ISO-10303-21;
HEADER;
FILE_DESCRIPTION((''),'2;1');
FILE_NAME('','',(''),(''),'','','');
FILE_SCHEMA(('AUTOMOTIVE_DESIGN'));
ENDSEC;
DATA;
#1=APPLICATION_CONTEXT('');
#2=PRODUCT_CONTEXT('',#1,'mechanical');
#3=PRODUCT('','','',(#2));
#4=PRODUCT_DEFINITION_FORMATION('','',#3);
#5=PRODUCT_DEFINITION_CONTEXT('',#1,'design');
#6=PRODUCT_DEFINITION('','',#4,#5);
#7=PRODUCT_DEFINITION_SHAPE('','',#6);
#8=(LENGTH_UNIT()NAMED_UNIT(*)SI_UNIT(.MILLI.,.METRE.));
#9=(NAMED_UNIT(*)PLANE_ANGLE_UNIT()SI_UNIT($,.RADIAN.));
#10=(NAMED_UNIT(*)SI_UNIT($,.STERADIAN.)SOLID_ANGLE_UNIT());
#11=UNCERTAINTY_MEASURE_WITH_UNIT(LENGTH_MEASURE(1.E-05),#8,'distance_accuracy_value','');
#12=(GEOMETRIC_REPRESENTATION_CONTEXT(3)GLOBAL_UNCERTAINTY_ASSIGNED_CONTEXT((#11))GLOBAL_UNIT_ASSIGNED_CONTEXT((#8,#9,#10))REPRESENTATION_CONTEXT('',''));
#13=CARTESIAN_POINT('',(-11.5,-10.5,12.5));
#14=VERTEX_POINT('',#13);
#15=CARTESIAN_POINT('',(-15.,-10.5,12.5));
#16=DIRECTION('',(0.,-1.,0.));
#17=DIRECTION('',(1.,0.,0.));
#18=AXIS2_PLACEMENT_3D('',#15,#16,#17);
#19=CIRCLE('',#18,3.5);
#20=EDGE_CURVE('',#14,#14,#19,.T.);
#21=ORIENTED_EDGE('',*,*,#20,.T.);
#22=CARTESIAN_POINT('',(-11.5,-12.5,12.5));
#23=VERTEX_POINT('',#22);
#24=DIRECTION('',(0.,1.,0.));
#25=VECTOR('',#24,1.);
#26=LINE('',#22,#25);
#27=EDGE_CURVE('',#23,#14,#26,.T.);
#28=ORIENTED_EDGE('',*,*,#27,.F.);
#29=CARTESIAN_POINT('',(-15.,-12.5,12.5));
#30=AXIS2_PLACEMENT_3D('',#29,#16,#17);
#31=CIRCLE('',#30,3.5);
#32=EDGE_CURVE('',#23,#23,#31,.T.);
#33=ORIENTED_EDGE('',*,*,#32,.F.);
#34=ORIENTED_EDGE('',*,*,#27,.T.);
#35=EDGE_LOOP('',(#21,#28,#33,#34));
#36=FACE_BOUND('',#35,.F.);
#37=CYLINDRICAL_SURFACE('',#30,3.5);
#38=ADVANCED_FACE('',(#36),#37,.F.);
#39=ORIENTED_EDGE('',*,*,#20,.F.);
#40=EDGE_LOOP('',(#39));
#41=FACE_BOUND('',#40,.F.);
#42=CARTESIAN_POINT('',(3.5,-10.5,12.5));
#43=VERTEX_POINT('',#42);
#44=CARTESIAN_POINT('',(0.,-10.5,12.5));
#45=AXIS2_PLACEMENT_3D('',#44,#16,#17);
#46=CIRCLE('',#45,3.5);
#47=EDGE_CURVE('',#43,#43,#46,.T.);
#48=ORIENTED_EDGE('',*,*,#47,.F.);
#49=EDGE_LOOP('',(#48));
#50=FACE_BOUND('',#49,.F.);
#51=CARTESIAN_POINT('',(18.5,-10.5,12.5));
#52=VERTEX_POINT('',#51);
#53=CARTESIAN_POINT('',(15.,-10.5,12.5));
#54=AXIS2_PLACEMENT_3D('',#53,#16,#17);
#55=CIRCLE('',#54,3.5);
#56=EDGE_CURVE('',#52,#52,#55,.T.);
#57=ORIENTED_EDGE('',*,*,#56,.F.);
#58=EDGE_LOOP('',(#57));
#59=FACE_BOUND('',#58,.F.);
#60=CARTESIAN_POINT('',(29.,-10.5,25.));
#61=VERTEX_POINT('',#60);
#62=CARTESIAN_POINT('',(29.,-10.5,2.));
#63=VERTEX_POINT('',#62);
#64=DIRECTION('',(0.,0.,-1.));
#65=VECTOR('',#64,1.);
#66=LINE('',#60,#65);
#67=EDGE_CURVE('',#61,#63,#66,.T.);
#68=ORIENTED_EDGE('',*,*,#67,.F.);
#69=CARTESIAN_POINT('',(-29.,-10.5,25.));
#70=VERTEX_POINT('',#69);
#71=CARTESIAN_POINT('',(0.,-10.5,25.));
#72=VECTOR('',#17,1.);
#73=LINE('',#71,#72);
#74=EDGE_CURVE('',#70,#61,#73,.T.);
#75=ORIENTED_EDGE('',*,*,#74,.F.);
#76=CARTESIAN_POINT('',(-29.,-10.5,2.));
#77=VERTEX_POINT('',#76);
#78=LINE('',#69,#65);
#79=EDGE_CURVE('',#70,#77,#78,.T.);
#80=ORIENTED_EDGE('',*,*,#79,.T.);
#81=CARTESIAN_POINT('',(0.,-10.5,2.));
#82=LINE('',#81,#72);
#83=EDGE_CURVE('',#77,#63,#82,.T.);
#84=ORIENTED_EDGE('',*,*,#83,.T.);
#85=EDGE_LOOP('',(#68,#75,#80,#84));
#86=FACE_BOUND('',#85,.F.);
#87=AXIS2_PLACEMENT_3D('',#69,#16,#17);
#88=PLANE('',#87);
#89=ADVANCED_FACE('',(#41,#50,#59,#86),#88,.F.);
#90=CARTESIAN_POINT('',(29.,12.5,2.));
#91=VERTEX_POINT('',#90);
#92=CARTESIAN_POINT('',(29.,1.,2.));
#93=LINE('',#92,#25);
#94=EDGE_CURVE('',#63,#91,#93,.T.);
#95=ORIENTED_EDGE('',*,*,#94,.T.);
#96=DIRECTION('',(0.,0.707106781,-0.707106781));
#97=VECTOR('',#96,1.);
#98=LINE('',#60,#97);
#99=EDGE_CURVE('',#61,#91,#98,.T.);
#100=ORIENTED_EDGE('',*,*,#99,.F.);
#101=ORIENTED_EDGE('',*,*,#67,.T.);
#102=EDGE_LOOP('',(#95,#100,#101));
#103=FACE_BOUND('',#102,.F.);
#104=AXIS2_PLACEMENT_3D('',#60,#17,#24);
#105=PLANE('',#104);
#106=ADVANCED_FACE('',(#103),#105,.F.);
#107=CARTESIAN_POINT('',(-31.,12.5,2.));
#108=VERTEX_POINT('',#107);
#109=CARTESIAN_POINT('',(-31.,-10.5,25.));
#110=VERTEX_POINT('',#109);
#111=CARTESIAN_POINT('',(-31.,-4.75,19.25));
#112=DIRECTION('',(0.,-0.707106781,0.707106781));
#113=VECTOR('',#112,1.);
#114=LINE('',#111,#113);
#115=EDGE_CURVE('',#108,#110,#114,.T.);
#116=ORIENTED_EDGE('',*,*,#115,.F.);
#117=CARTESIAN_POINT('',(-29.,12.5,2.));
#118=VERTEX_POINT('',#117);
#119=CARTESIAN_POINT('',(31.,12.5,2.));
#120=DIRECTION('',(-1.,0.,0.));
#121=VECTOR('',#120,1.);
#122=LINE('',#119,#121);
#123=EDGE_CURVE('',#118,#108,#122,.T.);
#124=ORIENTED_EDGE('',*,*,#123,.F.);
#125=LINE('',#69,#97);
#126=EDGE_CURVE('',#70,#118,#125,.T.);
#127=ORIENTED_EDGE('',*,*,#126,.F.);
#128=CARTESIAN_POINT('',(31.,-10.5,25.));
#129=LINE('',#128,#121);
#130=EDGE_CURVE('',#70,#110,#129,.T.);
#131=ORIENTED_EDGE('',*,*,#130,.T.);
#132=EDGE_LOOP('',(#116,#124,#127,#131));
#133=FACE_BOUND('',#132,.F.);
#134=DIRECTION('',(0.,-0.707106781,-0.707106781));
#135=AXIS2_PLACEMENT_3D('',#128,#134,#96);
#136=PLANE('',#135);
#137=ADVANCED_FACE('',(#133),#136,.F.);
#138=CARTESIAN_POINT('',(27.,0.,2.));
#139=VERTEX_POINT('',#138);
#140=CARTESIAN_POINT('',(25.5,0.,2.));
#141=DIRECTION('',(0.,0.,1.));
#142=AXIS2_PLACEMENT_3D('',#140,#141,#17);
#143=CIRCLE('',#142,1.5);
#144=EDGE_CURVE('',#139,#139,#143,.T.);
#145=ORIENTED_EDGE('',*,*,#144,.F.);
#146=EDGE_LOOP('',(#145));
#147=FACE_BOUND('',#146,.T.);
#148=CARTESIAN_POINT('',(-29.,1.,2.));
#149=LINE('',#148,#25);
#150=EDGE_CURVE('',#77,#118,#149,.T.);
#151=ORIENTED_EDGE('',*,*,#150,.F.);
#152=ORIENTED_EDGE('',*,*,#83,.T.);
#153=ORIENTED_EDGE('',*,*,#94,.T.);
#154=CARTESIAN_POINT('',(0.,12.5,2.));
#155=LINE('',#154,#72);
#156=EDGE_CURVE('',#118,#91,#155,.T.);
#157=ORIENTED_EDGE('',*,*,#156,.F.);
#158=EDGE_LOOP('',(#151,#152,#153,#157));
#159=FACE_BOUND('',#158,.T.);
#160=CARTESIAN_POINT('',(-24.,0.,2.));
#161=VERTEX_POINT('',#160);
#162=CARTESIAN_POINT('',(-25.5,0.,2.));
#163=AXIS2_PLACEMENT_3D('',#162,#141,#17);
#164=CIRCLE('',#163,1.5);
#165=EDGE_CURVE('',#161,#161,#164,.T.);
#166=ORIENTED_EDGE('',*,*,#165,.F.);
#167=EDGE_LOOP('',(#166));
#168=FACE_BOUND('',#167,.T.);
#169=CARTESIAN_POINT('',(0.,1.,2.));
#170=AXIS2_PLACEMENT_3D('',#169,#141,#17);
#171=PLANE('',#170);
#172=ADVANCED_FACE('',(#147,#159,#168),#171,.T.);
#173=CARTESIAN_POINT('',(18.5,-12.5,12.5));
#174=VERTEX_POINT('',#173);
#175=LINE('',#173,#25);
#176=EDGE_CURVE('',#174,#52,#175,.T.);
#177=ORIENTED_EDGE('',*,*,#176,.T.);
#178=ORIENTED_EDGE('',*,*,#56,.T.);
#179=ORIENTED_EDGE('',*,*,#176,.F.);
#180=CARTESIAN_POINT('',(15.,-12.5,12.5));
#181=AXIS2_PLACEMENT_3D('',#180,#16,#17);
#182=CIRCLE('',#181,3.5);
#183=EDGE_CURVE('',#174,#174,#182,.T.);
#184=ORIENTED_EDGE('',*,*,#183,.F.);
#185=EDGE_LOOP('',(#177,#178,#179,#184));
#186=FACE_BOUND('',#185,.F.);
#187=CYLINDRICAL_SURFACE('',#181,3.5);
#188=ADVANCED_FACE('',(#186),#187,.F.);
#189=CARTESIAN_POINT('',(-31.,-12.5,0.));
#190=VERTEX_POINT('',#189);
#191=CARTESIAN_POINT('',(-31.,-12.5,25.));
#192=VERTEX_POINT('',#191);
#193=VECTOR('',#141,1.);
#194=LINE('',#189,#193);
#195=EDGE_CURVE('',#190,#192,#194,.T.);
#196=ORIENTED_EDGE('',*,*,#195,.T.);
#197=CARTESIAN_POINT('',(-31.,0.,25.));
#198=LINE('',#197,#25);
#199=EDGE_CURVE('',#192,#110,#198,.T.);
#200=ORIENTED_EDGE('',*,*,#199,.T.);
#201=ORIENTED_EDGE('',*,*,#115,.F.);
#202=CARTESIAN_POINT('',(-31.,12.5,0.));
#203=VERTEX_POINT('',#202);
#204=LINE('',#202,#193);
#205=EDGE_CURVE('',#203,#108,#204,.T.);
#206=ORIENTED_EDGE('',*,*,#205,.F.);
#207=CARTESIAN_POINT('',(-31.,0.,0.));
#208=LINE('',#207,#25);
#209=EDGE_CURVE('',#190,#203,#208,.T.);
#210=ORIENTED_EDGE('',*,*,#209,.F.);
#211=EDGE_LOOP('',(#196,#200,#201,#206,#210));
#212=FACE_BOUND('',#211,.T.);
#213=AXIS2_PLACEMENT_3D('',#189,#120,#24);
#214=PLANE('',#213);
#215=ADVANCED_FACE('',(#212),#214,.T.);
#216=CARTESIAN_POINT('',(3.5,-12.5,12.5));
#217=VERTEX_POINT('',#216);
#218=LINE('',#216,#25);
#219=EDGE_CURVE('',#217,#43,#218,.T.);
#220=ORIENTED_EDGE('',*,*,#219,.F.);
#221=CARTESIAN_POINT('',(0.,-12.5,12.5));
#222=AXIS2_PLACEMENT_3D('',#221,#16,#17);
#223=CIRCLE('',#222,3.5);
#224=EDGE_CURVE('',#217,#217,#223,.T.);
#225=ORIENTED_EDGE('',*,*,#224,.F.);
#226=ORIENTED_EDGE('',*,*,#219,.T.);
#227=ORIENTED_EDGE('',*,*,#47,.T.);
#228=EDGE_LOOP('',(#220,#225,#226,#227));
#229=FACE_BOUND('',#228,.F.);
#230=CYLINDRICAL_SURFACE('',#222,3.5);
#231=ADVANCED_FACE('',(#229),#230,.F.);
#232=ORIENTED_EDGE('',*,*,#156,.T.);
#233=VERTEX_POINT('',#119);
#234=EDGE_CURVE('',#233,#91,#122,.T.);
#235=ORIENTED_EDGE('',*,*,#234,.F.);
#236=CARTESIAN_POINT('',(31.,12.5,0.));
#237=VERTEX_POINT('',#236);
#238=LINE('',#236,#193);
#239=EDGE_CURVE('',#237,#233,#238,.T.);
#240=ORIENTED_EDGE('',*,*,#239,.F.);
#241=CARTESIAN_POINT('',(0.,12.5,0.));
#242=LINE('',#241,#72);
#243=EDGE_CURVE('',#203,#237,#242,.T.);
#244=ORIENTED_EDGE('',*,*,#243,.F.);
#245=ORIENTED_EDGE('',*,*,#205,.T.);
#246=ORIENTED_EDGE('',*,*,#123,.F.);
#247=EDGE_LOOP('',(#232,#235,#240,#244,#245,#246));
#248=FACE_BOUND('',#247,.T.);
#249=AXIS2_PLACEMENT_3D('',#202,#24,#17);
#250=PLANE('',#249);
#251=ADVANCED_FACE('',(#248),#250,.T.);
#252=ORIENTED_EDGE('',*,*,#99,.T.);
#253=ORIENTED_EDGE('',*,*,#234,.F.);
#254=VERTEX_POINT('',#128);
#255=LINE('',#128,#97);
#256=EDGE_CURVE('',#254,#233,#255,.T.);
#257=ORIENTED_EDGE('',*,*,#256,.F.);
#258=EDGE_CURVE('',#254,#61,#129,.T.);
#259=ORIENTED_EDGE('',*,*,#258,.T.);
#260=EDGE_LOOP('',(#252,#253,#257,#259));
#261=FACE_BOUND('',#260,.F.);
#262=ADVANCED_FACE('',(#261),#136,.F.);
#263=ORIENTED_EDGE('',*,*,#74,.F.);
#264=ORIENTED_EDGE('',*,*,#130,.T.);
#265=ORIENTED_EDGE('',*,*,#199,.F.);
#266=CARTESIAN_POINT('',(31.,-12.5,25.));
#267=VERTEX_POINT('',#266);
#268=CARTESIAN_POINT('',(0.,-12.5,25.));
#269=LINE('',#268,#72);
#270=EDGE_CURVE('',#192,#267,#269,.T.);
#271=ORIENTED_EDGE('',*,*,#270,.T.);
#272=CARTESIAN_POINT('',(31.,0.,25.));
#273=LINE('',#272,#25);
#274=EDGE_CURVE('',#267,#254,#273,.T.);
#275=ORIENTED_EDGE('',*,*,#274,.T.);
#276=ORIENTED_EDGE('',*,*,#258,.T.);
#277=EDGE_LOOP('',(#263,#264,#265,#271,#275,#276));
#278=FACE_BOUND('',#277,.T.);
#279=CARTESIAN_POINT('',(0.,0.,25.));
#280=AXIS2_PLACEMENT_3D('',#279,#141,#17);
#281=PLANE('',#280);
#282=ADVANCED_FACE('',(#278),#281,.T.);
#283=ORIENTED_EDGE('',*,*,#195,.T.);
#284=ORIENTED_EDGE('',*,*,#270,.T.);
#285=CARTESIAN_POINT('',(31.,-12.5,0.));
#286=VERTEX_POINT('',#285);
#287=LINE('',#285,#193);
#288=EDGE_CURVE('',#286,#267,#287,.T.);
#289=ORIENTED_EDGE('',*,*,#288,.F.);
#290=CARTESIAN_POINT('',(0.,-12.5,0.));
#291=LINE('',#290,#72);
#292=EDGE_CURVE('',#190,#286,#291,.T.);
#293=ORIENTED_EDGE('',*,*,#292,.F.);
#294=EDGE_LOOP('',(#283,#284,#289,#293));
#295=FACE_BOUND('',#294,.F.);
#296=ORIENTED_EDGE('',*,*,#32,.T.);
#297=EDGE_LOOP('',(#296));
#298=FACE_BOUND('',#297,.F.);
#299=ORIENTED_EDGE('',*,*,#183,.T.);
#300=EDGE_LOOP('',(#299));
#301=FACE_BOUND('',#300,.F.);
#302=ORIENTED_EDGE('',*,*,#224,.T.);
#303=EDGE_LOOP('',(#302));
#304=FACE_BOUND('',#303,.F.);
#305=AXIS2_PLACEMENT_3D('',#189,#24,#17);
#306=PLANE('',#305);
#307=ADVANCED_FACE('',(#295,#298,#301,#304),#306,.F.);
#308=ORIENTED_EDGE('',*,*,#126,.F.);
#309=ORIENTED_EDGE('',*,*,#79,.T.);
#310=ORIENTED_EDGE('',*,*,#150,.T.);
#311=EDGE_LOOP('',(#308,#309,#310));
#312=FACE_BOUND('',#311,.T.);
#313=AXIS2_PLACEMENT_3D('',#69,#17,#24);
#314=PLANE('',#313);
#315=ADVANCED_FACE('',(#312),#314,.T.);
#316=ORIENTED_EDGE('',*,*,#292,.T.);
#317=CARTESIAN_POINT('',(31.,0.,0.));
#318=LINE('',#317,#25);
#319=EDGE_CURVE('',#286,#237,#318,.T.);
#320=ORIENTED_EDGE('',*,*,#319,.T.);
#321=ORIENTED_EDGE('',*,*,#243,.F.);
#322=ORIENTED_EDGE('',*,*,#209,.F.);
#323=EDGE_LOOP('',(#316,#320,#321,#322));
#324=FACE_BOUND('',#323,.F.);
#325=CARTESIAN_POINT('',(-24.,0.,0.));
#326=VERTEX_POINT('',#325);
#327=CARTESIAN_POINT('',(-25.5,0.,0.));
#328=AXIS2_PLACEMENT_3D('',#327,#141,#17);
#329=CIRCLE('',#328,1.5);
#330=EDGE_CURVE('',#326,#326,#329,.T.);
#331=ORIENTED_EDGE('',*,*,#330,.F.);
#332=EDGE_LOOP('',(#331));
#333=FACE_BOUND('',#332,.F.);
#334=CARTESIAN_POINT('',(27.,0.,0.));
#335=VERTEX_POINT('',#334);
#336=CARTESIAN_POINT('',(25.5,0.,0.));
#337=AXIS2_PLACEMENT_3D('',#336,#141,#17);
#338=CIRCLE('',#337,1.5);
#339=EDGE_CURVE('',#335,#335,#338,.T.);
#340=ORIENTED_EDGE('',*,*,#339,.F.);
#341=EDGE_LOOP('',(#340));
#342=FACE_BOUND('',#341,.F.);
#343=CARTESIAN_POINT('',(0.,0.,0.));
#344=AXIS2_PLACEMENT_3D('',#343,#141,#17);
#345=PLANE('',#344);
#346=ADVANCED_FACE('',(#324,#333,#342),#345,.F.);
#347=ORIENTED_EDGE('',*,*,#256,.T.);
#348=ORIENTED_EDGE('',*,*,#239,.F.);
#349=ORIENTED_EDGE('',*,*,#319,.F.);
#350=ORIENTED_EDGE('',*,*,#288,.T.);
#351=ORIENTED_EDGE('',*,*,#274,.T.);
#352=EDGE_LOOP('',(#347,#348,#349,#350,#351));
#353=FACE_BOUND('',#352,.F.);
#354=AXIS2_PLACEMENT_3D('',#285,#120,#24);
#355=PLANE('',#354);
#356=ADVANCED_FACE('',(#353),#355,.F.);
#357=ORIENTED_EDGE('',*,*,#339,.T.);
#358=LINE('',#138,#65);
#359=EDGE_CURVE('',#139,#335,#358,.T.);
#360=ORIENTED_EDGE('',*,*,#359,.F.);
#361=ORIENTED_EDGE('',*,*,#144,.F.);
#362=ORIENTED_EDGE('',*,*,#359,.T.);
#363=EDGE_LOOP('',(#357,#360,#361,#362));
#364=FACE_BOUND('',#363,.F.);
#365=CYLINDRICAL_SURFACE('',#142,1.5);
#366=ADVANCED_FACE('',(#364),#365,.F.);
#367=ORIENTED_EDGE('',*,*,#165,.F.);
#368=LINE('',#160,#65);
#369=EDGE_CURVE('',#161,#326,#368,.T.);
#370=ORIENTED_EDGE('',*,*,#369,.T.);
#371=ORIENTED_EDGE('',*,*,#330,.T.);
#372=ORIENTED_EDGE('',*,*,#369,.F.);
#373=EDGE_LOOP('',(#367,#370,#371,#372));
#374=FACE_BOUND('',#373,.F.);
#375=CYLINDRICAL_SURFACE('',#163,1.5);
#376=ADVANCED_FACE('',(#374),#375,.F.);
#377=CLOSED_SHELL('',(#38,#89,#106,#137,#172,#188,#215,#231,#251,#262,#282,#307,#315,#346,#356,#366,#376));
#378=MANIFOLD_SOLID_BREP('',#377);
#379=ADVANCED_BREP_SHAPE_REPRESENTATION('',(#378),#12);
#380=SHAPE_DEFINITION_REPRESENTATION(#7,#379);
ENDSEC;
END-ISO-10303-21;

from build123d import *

# Parameters (mm, degrees)
F0_W     = 62
F0_H     = 25
F1_DEPTH = 25
F2_R     = 3.5
F3_DEPTH = 25
F4_W     = 58
F4_H     = 23
F5_DEPTH = 23
F7_DEPTH = 62.001
F8_R     = 1.5
F9_DEPTH = 2.001


with BuildPart() as f1:
    # F0 (on Top) → F1 (new body)
    with BuildSketch(Plane.XY):
        Rectangle(F0_W, F0_H)
    extrude(amount=F1_DEPTH)

    # F2 (on face) → F3 (cut)
    with BuildSketch(Plane.XZ.offset(12.5)):
        with Locations((0, 12.5)):
            Circle(F2_R)
        with Locations((-15, 12.5)):
            Circle(F2_R)
        with Locations((15, 12.5)):
            Circle(F2_R)
    extrude(amount=-F3_DEPTH, mode=Mode.SUBTRACT)

    # F4 (on face) → F5 (cut)
    with BuildSketch(Plane.XY.offset(25)):
        with Locations((0, 1)):
            Rectangle(F4_W, F4_H)
    extrude(amount=-F5_DEPTH, mode=Mode.SUBTRACT)

    # F6 (on face) → F7 (cut, through all)
    with BuildSketch(Plane.YZ.offset(31)):
        Polygon((12.5, 25), (-10.5, 25), (12.5, 2), align=None)
    extrude(amount=-F7_DEPTH, mode=Mode.SUBTRACT)

    # F8 (on face) → F9 (cut, through all)
    with BuildSketch(Plane.XY.offset(2)):
        with Locations((-25.5, 0)):
            Circle(F8_R)
        with Locations((25.5, 0)):
            Circle(F8_R)
    extrude(amount=-F9_DEPTH, mode=Mode.SUBTRACT)


solid = f1.part
